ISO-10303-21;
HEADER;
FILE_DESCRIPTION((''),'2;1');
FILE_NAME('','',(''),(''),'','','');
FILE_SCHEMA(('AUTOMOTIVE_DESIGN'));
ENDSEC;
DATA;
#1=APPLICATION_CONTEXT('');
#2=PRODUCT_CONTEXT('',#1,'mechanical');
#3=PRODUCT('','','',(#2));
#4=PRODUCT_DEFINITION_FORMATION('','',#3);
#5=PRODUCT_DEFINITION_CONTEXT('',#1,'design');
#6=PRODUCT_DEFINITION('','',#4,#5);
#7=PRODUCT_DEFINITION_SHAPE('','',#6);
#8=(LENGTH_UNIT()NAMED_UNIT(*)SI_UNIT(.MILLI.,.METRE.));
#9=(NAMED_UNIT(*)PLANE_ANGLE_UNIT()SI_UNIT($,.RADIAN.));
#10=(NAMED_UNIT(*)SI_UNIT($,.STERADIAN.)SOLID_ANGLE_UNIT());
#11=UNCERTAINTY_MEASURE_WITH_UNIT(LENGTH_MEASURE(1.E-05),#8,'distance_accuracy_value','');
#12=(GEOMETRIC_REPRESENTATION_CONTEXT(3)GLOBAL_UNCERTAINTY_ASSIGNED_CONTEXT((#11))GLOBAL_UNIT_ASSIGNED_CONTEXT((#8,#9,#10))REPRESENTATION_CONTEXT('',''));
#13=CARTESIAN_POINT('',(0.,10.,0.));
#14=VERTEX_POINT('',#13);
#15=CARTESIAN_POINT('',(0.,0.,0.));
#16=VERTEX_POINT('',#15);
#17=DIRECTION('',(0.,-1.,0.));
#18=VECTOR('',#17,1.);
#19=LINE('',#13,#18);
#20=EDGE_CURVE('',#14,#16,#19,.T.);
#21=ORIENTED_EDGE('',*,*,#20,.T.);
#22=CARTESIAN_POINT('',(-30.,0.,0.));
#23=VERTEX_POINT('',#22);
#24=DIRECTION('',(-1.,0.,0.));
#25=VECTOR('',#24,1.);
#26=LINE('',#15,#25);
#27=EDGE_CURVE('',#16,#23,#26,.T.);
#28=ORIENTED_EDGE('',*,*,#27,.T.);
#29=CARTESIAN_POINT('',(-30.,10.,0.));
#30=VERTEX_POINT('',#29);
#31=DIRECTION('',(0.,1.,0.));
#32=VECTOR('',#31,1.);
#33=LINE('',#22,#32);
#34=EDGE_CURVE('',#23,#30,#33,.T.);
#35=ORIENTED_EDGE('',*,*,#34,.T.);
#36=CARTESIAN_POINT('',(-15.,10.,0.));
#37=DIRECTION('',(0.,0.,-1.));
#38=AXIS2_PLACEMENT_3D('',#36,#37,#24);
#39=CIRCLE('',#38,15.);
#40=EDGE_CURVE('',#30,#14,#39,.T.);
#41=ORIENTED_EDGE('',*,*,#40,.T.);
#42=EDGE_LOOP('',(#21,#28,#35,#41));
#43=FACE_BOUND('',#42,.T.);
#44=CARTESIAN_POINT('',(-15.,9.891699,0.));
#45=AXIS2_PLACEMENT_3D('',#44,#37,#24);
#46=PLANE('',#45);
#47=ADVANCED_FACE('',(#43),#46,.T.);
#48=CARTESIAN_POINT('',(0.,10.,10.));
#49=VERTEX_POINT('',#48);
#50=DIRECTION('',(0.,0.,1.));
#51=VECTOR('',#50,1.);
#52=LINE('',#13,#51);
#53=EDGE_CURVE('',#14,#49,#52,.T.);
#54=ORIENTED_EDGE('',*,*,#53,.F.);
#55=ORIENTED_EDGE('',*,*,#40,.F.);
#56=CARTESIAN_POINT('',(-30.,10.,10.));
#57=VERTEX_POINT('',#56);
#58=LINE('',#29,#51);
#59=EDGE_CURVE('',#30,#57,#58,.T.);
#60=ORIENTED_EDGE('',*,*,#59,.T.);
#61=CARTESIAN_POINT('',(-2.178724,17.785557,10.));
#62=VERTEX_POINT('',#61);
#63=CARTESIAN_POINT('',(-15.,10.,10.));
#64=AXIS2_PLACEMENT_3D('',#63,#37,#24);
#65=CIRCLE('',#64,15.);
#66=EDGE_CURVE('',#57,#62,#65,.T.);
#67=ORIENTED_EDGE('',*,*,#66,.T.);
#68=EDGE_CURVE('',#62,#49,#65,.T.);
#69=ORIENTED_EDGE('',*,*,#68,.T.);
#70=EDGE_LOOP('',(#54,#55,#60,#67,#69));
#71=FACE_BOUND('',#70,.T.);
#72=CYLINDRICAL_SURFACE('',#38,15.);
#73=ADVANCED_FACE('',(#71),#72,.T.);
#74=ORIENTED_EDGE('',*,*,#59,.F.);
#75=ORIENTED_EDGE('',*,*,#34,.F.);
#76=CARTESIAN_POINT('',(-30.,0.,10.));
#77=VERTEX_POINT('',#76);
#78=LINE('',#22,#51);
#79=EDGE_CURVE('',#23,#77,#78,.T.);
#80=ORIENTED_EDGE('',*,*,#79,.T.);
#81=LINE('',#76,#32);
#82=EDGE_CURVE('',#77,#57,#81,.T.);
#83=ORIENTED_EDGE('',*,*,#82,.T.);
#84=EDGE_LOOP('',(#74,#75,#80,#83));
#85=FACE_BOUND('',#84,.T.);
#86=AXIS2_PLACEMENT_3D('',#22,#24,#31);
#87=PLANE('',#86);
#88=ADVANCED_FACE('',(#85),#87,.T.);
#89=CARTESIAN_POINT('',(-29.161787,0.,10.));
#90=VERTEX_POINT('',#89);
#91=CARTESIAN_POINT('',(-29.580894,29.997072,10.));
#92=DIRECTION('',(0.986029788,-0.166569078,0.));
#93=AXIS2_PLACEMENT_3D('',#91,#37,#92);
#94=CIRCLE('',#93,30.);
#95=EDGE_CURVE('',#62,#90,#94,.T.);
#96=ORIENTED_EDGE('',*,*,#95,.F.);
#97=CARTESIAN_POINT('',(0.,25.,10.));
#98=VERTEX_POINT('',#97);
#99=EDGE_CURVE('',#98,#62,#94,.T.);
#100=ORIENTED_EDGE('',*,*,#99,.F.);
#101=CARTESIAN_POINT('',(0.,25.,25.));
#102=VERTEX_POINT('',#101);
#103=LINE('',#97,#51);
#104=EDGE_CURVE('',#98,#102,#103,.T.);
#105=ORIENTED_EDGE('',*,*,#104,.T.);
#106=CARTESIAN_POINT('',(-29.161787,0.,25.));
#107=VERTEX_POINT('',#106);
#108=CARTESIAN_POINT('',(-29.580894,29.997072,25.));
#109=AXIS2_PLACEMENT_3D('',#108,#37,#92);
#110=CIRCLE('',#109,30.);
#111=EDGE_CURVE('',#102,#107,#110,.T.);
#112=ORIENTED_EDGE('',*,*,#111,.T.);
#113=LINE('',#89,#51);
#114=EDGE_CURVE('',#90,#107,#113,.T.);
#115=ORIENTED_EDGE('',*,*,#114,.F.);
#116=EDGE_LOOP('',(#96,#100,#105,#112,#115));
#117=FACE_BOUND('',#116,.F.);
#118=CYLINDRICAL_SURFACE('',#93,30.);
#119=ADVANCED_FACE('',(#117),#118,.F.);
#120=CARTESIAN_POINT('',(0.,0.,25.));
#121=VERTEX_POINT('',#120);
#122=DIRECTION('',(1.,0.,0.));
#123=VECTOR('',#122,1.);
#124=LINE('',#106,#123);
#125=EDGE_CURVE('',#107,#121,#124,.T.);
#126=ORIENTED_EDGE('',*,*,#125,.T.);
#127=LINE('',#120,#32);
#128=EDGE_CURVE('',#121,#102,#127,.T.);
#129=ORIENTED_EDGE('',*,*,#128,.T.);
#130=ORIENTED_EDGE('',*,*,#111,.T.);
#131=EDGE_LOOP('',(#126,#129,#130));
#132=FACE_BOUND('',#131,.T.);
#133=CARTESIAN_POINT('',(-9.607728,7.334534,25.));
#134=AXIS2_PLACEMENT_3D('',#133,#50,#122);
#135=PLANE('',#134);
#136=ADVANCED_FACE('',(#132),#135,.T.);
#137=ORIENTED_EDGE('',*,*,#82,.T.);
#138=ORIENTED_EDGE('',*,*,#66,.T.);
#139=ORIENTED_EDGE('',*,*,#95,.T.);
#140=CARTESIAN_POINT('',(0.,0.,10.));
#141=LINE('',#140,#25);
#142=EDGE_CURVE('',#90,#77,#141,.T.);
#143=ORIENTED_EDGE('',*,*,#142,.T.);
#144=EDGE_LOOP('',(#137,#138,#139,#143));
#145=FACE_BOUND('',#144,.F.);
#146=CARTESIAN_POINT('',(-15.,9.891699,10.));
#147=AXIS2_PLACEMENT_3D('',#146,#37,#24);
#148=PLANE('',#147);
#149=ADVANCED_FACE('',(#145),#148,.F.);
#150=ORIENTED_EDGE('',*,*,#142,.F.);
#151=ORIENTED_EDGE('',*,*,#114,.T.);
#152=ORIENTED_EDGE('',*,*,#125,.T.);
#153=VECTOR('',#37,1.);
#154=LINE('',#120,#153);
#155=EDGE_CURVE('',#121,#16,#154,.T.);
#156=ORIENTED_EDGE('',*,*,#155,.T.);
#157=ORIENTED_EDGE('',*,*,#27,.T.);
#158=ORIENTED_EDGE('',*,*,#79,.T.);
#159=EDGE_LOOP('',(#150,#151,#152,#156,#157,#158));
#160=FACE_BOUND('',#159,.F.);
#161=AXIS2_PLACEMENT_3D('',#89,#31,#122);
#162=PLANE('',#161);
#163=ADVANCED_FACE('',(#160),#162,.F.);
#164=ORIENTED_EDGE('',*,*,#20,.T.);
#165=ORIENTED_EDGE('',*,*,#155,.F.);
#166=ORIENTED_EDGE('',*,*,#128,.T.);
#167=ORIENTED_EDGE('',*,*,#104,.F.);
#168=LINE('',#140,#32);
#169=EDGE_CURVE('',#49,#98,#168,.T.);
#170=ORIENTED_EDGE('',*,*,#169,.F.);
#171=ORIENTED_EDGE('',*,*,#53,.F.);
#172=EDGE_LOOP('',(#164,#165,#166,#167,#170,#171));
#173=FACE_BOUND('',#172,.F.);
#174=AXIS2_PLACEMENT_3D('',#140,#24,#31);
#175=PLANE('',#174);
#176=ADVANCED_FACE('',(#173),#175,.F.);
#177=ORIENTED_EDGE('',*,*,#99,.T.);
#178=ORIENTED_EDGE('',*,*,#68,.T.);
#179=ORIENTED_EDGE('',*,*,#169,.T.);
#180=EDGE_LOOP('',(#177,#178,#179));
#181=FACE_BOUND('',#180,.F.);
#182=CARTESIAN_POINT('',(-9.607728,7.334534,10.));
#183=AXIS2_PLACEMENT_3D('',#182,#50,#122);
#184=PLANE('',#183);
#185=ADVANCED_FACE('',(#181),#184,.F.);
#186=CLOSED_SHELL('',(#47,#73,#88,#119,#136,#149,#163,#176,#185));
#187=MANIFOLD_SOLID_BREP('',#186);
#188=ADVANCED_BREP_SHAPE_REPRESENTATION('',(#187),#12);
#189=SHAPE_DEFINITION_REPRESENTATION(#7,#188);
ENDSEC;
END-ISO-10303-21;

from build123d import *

# Parameters (mm, degrees)
BOSS_EXTRUDE1_DEPTH = 10
BOSS_EXTRUDE3_DEPTH = 15


with BuildPart() as part:
    # Sketch1 → Boss-Extrude1 (new body)
    with BuildSketch(Plane.XY):
        with BuildLine():
            Line((-30, 0), (-30, 10))
            ThreePointArc((-30, 10), (-15, 25), (0, 10))
            Line((0, 10), (0, 0))
            Line((0, 0), (-30, 0))
        make_face()
    extrude(amount=BOSS_EXTRUDE1_DEPTH)

    # Sketch2 → Boss-Extrude3 (add)
    with BuildSketch(Plane.XY.offset(10)):
        with BuildLine():
            ThreePointArc((0, 25), (-10.055269439, 7.220988407), (-29.161787258, 0))
            Line((-29.161787258, 0), (0, 0))
            Line((0, 0), (0, 25))
        make_face()
    extrude(amount=BOSS_EXTRUDE3_DEPTH)


solid = part.part
